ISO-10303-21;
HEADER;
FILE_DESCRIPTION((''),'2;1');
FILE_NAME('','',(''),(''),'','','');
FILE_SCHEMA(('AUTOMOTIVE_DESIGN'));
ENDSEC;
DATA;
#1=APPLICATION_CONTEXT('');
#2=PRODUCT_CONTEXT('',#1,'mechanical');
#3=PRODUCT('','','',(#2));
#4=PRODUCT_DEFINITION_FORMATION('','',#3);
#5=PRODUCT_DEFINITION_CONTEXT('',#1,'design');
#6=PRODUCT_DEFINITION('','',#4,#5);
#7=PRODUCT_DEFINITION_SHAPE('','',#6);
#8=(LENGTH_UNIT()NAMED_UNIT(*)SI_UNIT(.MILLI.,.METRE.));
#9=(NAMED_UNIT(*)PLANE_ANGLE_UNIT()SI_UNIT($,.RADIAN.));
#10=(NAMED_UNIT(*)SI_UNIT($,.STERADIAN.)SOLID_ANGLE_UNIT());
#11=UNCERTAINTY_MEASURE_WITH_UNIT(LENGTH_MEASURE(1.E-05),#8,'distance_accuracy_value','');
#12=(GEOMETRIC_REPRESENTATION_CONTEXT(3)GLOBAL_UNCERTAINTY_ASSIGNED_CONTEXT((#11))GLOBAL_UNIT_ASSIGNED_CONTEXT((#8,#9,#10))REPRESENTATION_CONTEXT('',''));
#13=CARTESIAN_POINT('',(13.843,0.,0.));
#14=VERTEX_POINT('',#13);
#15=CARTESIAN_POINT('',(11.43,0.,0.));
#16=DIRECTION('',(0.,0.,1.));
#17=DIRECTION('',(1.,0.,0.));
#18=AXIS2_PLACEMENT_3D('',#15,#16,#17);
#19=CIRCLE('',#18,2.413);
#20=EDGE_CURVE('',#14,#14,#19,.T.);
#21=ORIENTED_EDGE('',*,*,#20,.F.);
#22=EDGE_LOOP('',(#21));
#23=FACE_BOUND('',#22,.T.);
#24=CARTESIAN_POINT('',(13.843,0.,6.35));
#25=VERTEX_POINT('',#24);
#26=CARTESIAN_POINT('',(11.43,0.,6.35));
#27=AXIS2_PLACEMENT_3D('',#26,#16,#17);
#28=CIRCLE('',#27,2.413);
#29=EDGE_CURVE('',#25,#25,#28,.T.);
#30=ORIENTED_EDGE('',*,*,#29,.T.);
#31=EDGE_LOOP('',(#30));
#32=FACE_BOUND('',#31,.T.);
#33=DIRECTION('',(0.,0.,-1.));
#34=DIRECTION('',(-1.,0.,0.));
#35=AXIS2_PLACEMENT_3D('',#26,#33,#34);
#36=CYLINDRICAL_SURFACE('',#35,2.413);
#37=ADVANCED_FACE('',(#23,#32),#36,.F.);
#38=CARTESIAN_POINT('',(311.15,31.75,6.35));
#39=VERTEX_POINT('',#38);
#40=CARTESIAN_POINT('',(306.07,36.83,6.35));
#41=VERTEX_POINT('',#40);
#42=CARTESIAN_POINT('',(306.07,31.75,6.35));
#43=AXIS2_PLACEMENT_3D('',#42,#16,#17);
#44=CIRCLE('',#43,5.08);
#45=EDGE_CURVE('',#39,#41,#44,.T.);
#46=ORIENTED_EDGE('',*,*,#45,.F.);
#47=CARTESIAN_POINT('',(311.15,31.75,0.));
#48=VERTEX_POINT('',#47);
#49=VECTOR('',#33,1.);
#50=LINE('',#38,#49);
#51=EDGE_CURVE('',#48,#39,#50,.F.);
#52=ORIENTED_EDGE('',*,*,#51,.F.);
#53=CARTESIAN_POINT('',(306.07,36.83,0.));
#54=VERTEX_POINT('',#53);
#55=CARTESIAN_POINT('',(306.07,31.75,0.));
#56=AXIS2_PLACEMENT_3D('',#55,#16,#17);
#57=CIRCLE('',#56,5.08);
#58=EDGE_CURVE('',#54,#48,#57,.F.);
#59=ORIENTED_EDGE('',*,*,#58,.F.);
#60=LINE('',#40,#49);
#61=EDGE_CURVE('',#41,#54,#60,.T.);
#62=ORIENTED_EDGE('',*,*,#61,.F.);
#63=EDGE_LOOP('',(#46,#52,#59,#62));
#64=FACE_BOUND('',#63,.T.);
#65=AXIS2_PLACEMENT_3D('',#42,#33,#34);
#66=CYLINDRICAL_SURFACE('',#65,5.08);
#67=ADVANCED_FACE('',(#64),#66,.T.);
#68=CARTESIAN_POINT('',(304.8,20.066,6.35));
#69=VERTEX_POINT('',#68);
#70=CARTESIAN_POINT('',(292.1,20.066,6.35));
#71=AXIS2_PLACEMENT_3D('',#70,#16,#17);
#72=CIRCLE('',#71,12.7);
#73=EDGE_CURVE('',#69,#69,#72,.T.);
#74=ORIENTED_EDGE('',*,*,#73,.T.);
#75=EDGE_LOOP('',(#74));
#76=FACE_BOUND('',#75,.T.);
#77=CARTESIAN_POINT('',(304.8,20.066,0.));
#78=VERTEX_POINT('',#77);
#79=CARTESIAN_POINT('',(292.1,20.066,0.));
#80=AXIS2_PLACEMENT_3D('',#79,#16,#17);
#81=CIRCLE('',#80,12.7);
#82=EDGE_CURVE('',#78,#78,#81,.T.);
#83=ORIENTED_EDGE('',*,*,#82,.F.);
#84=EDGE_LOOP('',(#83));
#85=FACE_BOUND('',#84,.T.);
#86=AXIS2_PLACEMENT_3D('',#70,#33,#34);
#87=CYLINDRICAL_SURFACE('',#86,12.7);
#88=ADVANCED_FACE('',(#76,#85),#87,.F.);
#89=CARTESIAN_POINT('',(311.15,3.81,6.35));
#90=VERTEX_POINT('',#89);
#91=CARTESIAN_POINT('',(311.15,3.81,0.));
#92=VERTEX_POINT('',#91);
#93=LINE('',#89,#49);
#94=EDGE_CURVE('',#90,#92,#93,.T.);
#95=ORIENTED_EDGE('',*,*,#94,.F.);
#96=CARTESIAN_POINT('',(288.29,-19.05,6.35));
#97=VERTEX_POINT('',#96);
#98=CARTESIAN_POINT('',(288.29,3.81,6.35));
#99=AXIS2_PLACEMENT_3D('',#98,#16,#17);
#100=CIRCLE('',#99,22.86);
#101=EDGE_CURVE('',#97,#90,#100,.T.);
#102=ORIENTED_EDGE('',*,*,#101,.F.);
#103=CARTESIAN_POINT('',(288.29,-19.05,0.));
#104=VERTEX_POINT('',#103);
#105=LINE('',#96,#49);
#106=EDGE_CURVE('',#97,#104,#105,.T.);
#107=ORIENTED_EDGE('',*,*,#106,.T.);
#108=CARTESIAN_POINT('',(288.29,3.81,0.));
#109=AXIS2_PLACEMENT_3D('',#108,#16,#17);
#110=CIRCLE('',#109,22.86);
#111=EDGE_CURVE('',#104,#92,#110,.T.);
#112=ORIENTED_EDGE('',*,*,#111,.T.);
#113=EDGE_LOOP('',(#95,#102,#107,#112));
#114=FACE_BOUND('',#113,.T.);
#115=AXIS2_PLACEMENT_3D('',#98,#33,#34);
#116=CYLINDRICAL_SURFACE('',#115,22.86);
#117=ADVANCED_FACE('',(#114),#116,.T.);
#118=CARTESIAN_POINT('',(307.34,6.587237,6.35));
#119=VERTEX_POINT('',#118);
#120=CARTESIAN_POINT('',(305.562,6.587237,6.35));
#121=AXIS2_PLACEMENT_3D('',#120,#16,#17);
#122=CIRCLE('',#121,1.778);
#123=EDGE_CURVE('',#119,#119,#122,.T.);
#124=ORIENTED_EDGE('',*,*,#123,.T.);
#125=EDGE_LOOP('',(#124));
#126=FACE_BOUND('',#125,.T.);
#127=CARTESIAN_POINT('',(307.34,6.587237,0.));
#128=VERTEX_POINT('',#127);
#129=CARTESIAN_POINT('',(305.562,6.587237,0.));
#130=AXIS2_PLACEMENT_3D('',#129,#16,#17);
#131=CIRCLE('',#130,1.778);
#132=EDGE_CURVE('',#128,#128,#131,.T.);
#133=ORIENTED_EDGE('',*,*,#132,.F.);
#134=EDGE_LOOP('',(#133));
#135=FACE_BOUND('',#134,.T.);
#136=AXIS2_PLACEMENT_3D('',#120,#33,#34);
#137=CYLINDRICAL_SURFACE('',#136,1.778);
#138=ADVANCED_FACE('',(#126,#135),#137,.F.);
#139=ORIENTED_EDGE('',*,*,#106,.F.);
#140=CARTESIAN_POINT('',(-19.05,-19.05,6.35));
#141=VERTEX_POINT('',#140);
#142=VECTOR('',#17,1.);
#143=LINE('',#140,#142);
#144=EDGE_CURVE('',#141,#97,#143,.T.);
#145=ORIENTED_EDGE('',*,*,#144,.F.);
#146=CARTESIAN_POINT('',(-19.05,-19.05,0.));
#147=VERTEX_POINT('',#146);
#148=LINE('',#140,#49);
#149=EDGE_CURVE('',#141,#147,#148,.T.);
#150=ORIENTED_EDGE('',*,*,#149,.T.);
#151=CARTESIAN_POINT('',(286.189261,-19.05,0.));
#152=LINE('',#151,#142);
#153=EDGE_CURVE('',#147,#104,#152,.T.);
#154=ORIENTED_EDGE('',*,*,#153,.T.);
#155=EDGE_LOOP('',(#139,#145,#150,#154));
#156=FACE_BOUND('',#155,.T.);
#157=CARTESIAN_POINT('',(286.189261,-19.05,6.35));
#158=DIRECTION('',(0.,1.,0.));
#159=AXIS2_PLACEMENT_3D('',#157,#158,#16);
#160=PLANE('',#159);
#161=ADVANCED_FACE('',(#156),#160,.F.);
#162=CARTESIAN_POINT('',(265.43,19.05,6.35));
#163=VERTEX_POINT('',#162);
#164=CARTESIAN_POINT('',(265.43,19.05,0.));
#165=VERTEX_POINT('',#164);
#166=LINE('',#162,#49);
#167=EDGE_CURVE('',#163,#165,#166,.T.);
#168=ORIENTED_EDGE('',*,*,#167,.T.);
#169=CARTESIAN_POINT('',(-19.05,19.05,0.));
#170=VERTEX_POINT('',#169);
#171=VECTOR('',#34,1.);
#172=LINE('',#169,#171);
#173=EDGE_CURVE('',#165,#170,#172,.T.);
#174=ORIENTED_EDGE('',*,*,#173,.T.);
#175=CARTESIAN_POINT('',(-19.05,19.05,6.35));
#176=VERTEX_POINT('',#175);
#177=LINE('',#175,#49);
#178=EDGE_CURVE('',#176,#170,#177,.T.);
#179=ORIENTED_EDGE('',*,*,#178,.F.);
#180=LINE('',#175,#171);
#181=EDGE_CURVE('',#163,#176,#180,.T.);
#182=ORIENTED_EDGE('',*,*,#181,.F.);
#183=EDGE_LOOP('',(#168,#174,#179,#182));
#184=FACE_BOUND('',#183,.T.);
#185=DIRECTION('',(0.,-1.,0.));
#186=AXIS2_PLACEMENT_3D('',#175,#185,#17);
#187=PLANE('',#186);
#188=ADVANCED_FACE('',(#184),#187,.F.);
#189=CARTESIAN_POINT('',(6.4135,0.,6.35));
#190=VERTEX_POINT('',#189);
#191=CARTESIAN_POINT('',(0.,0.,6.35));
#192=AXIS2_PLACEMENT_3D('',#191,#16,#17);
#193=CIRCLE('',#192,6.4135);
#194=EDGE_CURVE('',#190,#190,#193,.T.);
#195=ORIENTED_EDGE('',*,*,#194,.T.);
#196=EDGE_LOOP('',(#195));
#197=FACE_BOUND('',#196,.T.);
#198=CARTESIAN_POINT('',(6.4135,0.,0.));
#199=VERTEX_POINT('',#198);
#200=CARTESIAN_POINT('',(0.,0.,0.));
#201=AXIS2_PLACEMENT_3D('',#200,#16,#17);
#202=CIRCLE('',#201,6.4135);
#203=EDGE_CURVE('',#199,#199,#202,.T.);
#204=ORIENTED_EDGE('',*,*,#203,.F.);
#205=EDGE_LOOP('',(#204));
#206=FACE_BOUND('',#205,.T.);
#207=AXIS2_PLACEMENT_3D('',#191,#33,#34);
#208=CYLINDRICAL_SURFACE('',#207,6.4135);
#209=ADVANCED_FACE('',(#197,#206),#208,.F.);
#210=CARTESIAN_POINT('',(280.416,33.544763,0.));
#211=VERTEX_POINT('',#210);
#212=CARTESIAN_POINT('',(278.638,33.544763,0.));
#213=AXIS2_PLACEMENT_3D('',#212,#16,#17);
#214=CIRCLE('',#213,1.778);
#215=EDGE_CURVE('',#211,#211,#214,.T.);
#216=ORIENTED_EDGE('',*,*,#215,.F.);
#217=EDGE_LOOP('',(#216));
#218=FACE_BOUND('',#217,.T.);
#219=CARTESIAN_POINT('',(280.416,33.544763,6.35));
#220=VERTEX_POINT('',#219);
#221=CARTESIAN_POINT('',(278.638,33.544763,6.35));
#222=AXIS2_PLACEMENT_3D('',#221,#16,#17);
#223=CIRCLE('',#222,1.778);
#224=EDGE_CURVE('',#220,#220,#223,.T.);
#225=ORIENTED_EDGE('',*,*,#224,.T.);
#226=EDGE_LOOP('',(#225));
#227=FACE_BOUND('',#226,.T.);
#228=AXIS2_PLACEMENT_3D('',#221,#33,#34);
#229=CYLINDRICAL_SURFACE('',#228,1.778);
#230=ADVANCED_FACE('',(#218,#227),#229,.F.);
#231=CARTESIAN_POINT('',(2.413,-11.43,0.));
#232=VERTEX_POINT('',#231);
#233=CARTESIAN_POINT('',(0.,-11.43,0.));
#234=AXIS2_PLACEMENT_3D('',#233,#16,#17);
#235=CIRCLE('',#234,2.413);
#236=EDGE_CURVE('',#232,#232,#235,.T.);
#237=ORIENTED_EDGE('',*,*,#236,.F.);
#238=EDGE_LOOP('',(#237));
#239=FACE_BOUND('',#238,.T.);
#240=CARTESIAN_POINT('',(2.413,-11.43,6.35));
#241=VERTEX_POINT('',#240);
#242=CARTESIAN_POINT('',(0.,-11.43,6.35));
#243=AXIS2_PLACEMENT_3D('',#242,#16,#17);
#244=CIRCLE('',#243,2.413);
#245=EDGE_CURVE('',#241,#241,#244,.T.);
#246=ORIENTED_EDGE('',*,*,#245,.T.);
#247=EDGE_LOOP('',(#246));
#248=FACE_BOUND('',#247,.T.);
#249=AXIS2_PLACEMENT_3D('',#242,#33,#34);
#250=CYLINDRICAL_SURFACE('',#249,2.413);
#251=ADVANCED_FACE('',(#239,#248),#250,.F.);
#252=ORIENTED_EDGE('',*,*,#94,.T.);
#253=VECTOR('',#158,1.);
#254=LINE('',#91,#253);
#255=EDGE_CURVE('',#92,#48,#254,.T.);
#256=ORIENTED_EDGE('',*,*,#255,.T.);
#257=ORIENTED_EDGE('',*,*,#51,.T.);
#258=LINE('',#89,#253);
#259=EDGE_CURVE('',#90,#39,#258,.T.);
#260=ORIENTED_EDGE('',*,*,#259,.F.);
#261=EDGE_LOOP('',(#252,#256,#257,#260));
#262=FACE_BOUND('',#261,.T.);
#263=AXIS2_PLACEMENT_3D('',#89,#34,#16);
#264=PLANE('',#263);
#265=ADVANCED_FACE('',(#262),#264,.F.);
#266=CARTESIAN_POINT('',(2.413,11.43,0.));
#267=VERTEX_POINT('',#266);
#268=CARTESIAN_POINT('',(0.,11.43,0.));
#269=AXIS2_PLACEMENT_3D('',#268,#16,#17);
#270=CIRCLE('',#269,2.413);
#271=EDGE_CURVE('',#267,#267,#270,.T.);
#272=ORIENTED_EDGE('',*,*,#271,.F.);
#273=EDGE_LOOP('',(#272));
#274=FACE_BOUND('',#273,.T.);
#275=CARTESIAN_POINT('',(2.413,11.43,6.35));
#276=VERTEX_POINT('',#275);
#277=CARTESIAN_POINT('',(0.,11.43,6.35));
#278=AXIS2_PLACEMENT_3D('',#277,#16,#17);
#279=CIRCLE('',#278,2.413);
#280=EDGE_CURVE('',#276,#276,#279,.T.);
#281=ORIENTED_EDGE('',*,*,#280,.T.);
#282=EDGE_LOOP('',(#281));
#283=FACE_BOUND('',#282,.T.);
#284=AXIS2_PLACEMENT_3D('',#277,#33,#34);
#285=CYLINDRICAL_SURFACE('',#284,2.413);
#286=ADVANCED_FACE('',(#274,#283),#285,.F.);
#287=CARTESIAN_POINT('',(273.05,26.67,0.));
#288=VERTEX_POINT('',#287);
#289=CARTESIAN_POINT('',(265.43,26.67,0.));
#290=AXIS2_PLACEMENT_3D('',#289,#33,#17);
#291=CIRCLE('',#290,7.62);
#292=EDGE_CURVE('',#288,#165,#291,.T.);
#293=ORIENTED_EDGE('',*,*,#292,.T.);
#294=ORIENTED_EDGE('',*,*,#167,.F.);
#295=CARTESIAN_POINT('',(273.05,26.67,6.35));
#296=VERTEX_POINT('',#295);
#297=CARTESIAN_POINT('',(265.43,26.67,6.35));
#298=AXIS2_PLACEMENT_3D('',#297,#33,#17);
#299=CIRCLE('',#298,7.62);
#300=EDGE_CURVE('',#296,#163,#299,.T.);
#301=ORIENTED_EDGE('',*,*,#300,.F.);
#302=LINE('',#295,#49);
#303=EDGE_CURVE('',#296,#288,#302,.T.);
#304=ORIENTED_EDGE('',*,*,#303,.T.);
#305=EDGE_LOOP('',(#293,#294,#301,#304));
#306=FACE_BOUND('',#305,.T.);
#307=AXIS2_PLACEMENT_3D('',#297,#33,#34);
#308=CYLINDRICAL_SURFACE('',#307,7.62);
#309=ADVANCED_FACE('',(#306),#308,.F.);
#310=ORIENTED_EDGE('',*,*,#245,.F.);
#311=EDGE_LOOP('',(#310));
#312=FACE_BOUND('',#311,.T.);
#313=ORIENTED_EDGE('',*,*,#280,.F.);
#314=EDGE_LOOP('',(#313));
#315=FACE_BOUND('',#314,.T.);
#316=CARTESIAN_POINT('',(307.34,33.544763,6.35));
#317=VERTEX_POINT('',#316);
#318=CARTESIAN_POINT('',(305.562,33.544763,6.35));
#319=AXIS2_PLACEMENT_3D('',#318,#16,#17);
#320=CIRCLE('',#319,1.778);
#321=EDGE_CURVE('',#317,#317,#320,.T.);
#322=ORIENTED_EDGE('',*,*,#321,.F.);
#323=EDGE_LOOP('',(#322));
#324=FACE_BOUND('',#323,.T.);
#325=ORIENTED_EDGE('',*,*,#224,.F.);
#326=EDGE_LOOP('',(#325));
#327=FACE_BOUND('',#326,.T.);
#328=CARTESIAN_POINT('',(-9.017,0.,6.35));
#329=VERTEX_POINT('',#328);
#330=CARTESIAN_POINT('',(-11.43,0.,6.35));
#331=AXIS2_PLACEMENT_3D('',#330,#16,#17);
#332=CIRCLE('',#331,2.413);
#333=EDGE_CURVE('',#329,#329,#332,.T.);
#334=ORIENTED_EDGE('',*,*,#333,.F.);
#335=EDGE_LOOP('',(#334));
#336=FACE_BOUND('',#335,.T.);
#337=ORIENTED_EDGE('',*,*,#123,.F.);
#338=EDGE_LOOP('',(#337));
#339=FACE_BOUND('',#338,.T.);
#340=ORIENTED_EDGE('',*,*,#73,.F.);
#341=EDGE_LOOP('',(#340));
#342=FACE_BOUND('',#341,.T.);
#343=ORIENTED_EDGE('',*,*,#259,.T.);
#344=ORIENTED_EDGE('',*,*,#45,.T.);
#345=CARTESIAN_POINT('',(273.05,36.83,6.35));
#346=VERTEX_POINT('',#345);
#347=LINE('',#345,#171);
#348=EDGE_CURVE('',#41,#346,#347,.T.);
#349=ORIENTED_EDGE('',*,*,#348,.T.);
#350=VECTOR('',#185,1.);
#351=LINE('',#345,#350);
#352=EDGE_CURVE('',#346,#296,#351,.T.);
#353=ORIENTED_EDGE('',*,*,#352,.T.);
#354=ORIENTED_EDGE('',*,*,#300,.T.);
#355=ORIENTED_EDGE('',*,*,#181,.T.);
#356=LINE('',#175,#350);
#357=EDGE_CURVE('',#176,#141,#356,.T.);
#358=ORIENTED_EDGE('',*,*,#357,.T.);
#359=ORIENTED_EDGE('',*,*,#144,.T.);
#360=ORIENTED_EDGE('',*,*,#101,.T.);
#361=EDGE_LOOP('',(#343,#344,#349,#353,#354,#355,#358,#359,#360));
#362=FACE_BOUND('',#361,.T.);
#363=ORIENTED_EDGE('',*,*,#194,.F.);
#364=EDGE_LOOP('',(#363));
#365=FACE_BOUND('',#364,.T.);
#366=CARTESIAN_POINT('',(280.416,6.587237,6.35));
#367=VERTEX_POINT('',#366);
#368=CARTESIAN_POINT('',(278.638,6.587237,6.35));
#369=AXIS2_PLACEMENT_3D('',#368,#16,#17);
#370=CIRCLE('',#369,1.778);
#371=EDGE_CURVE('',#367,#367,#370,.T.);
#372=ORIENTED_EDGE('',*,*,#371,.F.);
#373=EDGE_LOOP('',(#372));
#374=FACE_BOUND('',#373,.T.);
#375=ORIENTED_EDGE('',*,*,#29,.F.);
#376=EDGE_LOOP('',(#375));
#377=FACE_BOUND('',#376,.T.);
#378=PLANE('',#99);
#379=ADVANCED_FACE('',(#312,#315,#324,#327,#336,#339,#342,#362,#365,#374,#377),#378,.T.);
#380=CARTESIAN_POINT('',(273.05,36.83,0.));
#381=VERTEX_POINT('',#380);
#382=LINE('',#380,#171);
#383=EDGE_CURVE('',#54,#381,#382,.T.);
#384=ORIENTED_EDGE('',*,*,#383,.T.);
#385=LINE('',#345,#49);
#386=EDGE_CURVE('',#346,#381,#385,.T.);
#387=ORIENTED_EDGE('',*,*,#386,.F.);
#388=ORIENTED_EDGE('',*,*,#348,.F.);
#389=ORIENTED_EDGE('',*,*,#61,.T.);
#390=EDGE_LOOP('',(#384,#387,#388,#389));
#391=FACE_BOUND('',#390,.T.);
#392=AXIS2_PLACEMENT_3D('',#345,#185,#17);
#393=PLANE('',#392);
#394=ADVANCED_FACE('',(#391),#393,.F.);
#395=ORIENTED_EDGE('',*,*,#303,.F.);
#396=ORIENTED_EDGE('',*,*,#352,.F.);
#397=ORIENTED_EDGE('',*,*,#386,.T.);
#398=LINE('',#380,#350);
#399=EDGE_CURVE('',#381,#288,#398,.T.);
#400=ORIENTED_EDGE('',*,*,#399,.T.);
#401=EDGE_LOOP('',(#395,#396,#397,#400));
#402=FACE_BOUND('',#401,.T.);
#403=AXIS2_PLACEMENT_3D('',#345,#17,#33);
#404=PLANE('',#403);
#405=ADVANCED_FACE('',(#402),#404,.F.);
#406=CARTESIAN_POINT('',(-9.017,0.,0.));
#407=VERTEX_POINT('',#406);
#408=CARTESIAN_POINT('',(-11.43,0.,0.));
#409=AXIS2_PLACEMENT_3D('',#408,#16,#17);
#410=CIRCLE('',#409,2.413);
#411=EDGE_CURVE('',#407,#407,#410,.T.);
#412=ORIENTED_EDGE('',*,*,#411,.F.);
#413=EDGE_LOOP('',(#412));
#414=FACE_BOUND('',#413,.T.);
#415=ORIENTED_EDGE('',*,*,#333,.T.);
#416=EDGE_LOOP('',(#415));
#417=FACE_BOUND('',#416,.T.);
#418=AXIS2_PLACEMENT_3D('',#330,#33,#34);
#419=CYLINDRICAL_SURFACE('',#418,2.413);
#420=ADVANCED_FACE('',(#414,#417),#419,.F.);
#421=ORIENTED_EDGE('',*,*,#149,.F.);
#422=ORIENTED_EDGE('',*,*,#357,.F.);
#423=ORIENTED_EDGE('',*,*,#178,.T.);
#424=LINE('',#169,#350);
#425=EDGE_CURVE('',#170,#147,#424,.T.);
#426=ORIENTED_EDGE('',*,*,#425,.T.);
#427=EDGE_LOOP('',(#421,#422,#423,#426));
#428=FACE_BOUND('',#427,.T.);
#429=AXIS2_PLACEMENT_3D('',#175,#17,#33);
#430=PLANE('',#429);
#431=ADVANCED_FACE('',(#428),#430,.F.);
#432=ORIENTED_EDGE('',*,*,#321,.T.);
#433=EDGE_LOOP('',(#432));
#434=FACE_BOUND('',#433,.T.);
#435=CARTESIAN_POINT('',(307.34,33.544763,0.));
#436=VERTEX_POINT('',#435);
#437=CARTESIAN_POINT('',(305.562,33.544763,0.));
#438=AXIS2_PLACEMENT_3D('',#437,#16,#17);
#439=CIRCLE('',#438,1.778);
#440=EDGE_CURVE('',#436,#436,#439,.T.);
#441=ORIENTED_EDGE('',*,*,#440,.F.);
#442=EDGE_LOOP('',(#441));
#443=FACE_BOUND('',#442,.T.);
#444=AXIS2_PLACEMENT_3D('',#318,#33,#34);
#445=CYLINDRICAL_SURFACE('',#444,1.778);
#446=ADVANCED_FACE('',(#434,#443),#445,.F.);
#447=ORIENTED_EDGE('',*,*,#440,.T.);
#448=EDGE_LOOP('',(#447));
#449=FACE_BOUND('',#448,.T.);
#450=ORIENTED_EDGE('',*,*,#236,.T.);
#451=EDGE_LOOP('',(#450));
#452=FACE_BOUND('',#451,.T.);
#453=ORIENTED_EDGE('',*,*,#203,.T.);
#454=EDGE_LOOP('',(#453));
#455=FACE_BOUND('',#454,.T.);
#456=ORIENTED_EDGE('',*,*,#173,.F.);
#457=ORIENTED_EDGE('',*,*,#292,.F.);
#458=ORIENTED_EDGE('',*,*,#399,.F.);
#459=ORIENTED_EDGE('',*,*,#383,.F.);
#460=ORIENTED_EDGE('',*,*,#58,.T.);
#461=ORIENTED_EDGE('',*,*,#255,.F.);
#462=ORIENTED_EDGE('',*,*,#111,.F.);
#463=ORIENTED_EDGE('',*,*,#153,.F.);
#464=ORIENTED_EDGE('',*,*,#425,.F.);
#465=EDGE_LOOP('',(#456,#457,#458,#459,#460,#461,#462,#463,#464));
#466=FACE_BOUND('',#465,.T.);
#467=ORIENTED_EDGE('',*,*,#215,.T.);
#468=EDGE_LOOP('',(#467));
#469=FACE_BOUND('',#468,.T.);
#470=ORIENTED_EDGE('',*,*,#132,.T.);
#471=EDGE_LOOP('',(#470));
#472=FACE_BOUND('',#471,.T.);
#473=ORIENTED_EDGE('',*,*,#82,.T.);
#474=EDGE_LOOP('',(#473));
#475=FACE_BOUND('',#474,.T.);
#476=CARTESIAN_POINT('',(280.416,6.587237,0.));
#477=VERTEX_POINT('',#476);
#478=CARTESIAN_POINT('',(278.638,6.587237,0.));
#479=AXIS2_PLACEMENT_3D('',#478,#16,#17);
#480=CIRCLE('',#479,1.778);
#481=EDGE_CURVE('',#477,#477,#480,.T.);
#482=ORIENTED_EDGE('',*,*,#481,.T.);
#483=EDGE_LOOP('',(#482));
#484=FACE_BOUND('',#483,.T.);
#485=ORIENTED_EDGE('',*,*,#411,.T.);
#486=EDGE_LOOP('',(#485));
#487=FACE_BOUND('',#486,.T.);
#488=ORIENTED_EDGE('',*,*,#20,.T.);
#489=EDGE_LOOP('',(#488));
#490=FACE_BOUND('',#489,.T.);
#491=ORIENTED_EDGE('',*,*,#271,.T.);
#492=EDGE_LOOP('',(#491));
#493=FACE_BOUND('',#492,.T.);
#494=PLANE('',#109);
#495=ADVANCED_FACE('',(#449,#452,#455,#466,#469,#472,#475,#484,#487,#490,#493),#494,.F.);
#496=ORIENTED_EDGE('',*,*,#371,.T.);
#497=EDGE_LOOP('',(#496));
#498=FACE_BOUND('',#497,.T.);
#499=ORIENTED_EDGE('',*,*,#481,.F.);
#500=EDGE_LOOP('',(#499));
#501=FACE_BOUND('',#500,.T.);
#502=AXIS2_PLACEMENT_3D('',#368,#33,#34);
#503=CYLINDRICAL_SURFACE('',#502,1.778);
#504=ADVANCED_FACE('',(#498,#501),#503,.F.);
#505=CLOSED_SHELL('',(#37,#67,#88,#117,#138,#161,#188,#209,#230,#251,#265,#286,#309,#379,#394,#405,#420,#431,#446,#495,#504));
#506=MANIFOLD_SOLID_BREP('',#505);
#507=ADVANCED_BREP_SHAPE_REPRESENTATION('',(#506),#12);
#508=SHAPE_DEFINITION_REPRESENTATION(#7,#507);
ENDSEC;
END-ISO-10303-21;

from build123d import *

# Parameters (mm, degrees)
SKETCH1_R           = 6.4135
SKETCH1_R_2         = 2.413
SKETCH1_R_3         = 12.7
SKETCH1_R_4         = 1.778
BOSS_EXTRUDE1_DEPTH = 6.35
FILLET1_R           = 5.08


with BuildPart() as part:
    # Sketch1 → Boss-Extrude1 (new body)
    with BuildSketch(Plane.XY):
        with BuildLine():
            Line((-19.05, 19.05), (265.43, 19.05))
            ThreePointArc((265.43, 19.05), (270.818153673, 21.281846327), (273.05, 26.67))
            Line((273.05, 26.67), (273.05, 36.83))
            Line((273.05, 36.83), (311.15, 36.83))
            Line((311.15, 36.83), (311.15, 3.81))
            ThreePointArc((311.15, 3.81), (304.454461018, -12.354461018), (288.29, -19.05))
            Line((288.29, -19.05), (286.189260549, -19.05))
            Line((286.189260549, -19.05), (-19.05, -19.05))
            Line((-19.05, -19.05), (-19.05, 19.05))
        make_face()
        Circle(SKETCH1_R, mode=Mode.SUBTRACT)
        with Locations((0, 11.43)):
            Circle(SKETCH1_R_2, mode=Mode.SUBTRACT)
        with Locations((11.43, 0)):
            Circle(SKETCH1_R_2, mode=Mode.SUBTRACT)
        with Locations((0, -11.43)):
            Circle(SKETCH1_R_2, mode=Mode.SUBTRACT)
        with Locations((-11.43, 0)):
            Circle(SKETCH1_R_2, mode=Mode.SUBTRACT)
        with Locations((292.1, 20.066)):
            Circle(SKETCH1_R_3, mode=Mode.SUBTRACT)
        with Locations((278.638, 33.544763148)):
            Circle(SKETCH1_R_4, mode=Mode.SUBTRACT)
        with Locations((305.562, 33.544763148)):
            Circle(SKETCH1_R_4, mode=Mode.SUBTRACT)
        with Locations((305.562, 6.587236852)):
            Circle(SKETCH1_R_4, mode=Mode.SUBTRACT)
        with Locations((278.638, 6.587236852)):
            Circle(SKETCH1_R_4, mode=Mode.SUBTRACT)
    extrude(amount=BOSS_EXTRUDE1_DEPTH)

    # Fillet1
    fillet1_edges = [part.edges().sort_by_distance(p)[0] for p in [
        (311.15, 36.83, 3.175),
    ]]
    fillet(fillet1_edges, radius=FILLET1_R)


solid = part.part
